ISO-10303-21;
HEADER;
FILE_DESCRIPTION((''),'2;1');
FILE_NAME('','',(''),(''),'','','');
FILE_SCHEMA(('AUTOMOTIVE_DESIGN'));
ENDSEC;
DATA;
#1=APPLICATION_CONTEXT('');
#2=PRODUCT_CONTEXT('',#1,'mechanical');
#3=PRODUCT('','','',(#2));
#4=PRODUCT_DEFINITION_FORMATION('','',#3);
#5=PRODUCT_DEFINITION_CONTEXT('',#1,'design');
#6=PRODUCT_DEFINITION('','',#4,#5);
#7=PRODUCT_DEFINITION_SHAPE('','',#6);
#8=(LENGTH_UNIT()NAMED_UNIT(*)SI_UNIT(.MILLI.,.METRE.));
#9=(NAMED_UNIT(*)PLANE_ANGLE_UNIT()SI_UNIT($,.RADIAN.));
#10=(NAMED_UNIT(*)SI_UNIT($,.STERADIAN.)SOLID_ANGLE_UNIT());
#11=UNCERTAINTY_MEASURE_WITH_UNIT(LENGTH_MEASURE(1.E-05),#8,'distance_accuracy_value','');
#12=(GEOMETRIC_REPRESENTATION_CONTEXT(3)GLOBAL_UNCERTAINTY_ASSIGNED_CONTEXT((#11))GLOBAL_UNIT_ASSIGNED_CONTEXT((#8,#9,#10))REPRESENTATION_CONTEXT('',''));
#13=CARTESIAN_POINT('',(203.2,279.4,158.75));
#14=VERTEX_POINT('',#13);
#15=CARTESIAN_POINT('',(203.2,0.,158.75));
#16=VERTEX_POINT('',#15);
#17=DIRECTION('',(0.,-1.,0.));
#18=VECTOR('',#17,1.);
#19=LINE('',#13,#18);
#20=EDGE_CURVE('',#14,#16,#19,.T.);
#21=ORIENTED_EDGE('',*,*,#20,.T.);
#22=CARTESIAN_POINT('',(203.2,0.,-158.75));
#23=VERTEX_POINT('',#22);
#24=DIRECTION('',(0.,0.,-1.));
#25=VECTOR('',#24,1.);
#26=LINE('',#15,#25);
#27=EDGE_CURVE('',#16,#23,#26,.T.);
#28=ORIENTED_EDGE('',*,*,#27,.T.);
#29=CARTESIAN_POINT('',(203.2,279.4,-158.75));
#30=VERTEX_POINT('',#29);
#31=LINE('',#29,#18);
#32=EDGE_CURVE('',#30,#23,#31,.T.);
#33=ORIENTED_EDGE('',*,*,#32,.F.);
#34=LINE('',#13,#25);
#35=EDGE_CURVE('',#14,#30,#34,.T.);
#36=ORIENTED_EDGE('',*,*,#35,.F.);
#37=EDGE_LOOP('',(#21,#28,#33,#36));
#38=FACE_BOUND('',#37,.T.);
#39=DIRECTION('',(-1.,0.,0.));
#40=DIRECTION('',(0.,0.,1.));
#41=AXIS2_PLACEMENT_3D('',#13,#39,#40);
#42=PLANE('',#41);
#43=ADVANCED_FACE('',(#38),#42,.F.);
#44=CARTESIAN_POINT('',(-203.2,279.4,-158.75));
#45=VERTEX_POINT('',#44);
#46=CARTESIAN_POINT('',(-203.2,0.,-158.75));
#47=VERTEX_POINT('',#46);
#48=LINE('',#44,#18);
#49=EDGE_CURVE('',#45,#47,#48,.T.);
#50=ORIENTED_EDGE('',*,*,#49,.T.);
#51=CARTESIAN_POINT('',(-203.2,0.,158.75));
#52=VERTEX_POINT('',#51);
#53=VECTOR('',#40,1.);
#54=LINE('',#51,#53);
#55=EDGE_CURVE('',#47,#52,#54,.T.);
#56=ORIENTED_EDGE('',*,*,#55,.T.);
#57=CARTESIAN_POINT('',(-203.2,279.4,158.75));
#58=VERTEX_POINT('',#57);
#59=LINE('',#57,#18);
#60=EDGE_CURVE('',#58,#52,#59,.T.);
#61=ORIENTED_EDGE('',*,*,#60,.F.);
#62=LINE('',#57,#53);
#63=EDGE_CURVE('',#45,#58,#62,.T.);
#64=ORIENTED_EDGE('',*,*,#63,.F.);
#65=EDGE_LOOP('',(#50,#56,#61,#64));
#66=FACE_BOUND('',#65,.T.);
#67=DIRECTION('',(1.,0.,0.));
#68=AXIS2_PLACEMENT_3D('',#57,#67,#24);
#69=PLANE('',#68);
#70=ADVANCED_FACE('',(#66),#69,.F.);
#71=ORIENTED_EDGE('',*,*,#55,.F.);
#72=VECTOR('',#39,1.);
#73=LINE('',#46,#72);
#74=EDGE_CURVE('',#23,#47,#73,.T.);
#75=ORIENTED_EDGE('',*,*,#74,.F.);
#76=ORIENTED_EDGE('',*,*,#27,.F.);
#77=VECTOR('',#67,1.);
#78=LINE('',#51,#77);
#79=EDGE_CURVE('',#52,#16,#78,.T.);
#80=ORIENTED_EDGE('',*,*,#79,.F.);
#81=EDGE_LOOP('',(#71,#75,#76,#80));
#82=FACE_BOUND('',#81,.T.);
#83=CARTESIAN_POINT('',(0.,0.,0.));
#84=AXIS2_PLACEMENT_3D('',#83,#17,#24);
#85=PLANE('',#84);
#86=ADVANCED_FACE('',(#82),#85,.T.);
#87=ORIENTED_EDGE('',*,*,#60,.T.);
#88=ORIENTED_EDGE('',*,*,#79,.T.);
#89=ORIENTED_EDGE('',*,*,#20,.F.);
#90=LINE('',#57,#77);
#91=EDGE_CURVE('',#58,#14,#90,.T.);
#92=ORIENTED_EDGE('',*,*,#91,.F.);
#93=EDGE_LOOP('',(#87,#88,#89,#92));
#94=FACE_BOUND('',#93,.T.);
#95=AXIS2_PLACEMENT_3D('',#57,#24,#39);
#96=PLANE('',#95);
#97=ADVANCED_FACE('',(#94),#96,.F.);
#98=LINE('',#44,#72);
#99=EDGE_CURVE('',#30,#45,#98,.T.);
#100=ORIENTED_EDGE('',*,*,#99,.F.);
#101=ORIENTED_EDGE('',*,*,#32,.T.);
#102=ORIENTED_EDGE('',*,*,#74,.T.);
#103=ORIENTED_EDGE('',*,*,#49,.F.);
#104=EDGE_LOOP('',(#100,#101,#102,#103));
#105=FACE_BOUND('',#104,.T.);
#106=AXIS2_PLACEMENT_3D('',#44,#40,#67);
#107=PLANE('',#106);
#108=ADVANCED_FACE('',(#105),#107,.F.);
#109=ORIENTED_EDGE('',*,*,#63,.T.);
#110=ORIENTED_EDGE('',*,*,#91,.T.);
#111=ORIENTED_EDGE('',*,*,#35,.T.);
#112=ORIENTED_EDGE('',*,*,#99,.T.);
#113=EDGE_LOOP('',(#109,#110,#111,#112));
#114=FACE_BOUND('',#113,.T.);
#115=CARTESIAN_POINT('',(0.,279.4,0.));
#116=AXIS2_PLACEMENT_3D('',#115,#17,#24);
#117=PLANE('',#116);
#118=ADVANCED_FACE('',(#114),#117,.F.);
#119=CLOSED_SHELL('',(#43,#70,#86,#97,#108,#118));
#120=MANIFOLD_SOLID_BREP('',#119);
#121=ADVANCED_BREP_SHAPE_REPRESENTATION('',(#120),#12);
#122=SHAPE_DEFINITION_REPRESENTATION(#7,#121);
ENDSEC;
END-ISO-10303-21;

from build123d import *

# Parameters (mm, degrees)
SKETCH1_W           = 406.4
SKETCH1_H           = 317.5
BOSS_EXTRUDE1_DEPTH = 279.4


with BuildPart() as part:
    # Sketch1 → Boss-Extrude1 (new body)
    with BuildSketch(Plane(origin=(0, 0, 0), x_dir=(1, 0, 0), z_dir=(0, 1, 0))):
        Rectangle(SKETCH1_W, SKETCH1_H)
    extrude(amount=BOSS_EXTRUDE1_DEPTH)


solid = part.part
